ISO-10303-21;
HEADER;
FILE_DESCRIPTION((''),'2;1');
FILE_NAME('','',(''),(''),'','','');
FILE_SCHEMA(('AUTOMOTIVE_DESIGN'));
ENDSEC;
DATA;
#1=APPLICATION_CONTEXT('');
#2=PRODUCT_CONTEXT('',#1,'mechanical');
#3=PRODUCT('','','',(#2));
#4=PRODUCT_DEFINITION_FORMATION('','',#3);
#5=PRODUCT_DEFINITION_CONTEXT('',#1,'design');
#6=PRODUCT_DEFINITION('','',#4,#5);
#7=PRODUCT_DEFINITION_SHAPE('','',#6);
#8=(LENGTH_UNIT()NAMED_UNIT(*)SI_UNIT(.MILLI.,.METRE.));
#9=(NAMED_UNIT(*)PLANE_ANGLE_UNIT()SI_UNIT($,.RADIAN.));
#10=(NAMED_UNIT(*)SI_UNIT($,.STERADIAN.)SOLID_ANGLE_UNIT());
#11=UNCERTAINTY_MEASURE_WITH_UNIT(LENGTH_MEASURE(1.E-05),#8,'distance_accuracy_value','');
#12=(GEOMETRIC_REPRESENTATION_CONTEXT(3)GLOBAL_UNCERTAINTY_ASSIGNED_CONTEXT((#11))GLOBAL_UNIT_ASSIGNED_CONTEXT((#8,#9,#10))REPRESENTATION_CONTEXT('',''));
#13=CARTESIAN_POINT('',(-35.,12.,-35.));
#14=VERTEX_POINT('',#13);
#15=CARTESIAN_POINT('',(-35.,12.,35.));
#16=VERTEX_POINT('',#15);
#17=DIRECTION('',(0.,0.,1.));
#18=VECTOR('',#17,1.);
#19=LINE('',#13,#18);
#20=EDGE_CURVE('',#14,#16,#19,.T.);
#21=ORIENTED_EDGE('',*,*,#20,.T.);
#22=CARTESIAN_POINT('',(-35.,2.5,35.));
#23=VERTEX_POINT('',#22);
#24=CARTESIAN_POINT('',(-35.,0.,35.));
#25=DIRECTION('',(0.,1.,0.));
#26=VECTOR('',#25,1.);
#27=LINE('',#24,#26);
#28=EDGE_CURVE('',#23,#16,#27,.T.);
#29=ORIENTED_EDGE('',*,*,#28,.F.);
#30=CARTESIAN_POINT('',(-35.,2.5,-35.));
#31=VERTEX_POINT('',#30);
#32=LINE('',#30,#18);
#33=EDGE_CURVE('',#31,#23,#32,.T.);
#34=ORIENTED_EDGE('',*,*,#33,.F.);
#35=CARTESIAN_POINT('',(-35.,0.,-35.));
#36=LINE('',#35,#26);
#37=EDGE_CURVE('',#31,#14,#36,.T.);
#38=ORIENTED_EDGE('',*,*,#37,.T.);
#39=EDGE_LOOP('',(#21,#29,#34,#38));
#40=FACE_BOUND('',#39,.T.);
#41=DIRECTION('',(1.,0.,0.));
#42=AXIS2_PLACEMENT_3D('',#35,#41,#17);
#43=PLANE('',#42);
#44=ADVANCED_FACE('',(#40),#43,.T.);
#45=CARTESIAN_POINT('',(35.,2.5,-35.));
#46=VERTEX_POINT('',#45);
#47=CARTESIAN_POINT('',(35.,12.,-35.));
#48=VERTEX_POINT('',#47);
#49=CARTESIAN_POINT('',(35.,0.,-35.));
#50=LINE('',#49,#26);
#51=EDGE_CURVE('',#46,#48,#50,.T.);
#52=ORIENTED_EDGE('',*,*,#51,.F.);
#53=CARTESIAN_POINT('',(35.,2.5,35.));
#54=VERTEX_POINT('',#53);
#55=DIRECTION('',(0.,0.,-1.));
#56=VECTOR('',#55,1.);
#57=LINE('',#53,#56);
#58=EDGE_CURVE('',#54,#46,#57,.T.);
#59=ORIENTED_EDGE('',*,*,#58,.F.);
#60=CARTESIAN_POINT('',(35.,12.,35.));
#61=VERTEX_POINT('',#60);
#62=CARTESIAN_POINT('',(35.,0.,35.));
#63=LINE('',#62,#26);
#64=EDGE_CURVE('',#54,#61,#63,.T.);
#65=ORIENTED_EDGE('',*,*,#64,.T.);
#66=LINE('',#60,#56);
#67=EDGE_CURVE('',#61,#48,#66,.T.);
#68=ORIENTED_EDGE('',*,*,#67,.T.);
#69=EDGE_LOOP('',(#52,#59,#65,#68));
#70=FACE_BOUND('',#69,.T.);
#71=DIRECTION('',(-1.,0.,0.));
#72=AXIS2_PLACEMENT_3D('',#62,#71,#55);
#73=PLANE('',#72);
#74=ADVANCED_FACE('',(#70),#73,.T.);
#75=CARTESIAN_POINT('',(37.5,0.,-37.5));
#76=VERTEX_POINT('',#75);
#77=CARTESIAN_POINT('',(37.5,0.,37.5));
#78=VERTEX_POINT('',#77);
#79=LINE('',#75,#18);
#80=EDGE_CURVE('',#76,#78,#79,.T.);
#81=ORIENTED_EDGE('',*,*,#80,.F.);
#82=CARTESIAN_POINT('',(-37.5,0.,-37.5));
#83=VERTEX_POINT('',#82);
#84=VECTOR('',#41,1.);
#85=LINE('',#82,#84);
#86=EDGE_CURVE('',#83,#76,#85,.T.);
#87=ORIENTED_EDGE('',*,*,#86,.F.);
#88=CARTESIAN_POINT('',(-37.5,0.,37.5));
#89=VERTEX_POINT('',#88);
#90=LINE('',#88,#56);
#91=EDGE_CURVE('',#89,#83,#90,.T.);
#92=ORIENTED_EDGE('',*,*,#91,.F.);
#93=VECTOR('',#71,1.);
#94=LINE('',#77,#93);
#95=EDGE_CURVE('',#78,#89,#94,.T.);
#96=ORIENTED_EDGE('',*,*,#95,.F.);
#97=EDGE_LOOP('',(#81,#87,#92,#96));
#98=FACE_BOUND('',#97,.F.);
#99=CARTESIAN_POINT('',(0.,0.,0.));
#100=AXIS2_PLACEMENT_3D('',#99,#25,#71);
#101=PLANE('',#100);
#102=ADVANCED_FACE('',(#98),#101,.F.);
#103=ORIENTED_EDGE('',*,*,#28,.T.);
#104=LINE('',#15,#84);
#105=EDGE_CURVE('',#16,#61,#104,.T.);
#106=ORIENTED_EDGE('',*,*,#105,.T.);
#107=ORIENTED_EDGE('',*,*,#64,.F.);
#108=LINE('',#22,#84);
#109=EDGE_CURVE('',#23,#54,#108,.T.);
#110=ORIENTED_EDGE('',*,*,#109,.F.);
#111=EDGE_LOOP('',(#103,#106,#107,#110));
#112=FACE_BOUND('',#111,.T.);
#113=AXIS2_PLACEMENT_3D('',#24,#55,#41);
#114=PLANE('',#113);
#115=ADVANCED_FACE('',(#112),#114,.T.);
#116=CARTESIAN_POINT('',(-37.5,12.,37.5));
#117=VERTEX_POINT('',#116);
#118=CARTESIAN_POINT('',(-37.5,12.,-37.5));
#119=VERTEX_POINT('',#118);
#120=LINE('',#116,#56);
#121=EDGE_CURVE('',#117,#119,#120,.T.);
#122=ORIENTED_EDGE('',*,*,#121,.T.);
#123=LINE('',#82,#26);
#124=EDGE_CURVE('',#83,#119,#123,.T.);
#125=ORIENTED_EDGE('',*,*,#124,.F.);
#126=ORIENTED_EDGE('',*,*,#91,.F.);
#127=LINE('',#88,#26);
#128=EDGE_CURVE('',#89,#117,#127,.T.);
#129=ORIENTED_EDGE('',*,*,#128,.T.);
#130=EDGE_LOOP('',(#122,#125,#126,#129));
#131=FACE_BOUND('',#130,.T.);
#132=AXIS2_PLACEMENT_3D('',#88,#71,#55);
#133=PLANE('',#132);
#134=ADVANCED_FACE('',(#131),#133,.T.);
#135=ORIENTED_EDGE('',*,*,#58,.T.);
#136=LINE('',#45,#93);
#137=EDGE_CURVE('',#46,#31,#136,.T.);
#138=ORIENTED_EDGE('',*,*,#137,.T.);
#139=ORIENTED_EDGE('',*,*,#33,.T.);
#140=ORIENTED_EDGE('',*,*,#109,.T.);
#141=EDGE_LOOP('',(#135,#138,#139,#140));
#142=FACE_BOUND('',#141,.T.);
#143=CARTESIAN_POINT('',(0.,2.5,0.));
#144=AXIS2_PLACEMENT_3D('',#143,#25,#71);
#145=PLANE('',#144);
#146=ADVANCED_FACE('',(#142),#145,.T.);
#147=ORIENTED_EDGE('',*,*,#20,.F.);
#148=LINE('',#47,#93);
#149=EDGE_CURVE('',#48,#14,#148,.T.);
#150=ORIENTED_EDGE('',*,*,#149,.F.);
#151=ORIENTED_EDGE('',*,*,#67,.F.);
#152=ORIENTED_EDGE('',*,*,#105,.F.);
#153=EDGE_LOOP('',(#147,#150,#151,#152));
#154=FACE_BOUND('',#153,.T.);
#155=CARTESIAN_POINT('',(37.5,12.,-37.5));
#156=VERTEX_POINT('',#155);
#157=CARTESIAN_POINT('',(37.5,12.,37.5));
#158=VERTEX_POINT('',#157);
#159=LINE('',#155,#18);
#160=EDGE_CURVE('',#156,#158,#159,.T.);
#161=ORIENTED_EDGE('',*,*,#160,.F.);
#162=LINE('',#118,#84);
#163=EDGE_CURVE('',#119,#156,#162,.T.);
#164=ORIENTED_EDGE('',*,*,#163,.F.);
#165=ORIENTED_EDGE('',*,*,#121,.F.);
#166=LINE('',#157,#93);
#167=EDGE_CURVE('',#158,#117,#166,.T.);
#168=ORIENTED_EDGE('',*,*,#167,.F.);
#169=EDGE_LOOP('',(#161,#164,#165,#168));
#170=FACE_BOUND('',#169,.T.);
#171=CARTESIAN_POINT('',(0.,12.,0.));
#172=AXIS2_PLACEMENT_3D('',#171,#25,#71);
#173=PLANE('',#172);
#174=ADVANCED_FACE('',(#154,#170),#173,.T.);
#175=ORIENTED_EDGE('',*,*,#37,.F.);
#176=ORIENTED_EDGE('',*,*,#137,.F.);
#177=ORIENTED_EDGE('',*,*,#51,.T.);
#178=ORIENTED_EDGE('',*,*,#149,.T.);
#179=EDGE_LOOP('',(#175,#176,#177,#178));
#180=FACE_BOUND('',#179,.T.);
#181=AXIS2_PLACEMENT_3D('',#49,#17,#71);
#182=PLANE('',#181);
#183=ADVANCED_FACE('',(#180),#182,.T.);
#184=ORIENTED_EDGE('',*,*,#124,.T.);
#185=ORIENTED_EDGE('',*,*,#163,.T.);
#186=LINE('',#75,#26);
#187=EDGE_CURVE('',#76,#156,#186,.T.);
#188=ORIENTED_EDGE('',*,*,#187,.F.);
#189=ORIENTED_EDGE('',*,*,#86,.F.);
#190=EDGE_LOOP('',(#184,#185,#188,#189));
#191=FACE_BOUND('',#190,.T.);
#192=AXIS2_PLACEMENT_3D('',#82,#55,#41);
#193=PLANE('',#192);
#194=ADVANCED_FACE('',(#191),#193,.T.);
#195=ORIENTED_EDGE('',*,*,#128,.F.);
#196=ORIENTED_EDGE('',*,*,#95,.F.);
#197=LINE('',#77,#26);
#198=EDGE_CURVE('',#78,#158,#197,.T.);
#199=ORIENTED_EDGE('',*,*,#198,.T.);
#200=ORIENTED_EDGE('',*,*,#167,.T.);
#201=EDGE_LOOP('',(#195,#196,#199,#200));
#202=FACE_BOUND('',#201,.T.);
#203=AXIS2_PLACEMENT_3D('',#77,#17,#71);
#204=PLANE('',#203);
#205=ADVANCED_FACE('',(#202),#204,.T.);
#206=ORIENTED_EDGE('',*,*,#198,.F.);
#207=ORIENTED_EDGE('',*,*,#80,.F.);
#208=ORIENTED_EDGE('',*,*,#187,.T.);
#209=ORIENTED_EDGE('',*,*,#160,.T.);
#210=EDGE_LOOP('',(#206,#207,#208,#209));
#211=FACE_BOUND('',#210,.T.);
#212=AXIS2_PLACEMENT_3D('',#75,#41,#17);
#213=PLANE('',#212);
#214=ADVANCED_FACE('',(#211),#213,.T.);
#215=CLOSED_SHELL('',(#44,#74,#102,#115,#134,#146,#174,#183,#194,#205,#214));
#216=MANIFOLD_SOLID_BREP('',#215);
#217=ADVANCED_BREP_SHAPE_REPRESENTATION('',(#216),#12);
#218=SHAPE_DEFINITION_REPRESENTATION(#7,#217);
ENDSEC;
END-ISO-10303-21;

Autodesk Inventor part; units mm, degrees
ref_plane "YZ Plane" through (0, 0, 0) normal (1, 0, 0) x (0, 1, 0)
ref_plane "XZ Plane" through (0, 0, 0) normal (0, 1, 0) x (-1, 0, 0)
ref_plane "XY Plane" through (0, 0, 0) normal (0, 0, 1) x (1, 0, 0)
sketch "Sketch1" plane through (0, 0, 0) normal (0, 1, 0) x (-1, 0, 0)
  line L0 (-37.5, 37.5) -> (37.5, 37.5)
  line L1 (37.5, 37.5) -> (37.5, -37.5)
  line L2 (37.5, -37.5) -> (-37.5, -37.5)
  line L3 (-37.5, -37.5) -> (-37.5, 37.5)
  line L4 (-37.5, 37.5) -> (37.5, -37.5) construction
  line L5 (37.5, 37.5) -> (-37.5, -37.5) construction
  line L6 (-35, -35) -> (35, -35)
  line L7 (35, -35) -> (35, 35)
  line L8 (35, 35) -> (-35, 35)
  line L9 (-35, 35) -> (-35, -35)
  line L10 (-35, -35) -> (35, 35) construction
  line L11 (35, -35) -> (-35, 35) construction
  point P0 (0, 0)
  dimension "d0" = 75
  dimension "d1" = 75
  dimension "d2" = 70
  dimension "d3" = 70
extrude "Extrusion1" add sketch "Sketch1" along normal blind 12
extrude "Extrusion2" add sketch "Sketch1" along normal blind 2.5 contours L9 L8 L7 L6
properties part number "boxCap"
